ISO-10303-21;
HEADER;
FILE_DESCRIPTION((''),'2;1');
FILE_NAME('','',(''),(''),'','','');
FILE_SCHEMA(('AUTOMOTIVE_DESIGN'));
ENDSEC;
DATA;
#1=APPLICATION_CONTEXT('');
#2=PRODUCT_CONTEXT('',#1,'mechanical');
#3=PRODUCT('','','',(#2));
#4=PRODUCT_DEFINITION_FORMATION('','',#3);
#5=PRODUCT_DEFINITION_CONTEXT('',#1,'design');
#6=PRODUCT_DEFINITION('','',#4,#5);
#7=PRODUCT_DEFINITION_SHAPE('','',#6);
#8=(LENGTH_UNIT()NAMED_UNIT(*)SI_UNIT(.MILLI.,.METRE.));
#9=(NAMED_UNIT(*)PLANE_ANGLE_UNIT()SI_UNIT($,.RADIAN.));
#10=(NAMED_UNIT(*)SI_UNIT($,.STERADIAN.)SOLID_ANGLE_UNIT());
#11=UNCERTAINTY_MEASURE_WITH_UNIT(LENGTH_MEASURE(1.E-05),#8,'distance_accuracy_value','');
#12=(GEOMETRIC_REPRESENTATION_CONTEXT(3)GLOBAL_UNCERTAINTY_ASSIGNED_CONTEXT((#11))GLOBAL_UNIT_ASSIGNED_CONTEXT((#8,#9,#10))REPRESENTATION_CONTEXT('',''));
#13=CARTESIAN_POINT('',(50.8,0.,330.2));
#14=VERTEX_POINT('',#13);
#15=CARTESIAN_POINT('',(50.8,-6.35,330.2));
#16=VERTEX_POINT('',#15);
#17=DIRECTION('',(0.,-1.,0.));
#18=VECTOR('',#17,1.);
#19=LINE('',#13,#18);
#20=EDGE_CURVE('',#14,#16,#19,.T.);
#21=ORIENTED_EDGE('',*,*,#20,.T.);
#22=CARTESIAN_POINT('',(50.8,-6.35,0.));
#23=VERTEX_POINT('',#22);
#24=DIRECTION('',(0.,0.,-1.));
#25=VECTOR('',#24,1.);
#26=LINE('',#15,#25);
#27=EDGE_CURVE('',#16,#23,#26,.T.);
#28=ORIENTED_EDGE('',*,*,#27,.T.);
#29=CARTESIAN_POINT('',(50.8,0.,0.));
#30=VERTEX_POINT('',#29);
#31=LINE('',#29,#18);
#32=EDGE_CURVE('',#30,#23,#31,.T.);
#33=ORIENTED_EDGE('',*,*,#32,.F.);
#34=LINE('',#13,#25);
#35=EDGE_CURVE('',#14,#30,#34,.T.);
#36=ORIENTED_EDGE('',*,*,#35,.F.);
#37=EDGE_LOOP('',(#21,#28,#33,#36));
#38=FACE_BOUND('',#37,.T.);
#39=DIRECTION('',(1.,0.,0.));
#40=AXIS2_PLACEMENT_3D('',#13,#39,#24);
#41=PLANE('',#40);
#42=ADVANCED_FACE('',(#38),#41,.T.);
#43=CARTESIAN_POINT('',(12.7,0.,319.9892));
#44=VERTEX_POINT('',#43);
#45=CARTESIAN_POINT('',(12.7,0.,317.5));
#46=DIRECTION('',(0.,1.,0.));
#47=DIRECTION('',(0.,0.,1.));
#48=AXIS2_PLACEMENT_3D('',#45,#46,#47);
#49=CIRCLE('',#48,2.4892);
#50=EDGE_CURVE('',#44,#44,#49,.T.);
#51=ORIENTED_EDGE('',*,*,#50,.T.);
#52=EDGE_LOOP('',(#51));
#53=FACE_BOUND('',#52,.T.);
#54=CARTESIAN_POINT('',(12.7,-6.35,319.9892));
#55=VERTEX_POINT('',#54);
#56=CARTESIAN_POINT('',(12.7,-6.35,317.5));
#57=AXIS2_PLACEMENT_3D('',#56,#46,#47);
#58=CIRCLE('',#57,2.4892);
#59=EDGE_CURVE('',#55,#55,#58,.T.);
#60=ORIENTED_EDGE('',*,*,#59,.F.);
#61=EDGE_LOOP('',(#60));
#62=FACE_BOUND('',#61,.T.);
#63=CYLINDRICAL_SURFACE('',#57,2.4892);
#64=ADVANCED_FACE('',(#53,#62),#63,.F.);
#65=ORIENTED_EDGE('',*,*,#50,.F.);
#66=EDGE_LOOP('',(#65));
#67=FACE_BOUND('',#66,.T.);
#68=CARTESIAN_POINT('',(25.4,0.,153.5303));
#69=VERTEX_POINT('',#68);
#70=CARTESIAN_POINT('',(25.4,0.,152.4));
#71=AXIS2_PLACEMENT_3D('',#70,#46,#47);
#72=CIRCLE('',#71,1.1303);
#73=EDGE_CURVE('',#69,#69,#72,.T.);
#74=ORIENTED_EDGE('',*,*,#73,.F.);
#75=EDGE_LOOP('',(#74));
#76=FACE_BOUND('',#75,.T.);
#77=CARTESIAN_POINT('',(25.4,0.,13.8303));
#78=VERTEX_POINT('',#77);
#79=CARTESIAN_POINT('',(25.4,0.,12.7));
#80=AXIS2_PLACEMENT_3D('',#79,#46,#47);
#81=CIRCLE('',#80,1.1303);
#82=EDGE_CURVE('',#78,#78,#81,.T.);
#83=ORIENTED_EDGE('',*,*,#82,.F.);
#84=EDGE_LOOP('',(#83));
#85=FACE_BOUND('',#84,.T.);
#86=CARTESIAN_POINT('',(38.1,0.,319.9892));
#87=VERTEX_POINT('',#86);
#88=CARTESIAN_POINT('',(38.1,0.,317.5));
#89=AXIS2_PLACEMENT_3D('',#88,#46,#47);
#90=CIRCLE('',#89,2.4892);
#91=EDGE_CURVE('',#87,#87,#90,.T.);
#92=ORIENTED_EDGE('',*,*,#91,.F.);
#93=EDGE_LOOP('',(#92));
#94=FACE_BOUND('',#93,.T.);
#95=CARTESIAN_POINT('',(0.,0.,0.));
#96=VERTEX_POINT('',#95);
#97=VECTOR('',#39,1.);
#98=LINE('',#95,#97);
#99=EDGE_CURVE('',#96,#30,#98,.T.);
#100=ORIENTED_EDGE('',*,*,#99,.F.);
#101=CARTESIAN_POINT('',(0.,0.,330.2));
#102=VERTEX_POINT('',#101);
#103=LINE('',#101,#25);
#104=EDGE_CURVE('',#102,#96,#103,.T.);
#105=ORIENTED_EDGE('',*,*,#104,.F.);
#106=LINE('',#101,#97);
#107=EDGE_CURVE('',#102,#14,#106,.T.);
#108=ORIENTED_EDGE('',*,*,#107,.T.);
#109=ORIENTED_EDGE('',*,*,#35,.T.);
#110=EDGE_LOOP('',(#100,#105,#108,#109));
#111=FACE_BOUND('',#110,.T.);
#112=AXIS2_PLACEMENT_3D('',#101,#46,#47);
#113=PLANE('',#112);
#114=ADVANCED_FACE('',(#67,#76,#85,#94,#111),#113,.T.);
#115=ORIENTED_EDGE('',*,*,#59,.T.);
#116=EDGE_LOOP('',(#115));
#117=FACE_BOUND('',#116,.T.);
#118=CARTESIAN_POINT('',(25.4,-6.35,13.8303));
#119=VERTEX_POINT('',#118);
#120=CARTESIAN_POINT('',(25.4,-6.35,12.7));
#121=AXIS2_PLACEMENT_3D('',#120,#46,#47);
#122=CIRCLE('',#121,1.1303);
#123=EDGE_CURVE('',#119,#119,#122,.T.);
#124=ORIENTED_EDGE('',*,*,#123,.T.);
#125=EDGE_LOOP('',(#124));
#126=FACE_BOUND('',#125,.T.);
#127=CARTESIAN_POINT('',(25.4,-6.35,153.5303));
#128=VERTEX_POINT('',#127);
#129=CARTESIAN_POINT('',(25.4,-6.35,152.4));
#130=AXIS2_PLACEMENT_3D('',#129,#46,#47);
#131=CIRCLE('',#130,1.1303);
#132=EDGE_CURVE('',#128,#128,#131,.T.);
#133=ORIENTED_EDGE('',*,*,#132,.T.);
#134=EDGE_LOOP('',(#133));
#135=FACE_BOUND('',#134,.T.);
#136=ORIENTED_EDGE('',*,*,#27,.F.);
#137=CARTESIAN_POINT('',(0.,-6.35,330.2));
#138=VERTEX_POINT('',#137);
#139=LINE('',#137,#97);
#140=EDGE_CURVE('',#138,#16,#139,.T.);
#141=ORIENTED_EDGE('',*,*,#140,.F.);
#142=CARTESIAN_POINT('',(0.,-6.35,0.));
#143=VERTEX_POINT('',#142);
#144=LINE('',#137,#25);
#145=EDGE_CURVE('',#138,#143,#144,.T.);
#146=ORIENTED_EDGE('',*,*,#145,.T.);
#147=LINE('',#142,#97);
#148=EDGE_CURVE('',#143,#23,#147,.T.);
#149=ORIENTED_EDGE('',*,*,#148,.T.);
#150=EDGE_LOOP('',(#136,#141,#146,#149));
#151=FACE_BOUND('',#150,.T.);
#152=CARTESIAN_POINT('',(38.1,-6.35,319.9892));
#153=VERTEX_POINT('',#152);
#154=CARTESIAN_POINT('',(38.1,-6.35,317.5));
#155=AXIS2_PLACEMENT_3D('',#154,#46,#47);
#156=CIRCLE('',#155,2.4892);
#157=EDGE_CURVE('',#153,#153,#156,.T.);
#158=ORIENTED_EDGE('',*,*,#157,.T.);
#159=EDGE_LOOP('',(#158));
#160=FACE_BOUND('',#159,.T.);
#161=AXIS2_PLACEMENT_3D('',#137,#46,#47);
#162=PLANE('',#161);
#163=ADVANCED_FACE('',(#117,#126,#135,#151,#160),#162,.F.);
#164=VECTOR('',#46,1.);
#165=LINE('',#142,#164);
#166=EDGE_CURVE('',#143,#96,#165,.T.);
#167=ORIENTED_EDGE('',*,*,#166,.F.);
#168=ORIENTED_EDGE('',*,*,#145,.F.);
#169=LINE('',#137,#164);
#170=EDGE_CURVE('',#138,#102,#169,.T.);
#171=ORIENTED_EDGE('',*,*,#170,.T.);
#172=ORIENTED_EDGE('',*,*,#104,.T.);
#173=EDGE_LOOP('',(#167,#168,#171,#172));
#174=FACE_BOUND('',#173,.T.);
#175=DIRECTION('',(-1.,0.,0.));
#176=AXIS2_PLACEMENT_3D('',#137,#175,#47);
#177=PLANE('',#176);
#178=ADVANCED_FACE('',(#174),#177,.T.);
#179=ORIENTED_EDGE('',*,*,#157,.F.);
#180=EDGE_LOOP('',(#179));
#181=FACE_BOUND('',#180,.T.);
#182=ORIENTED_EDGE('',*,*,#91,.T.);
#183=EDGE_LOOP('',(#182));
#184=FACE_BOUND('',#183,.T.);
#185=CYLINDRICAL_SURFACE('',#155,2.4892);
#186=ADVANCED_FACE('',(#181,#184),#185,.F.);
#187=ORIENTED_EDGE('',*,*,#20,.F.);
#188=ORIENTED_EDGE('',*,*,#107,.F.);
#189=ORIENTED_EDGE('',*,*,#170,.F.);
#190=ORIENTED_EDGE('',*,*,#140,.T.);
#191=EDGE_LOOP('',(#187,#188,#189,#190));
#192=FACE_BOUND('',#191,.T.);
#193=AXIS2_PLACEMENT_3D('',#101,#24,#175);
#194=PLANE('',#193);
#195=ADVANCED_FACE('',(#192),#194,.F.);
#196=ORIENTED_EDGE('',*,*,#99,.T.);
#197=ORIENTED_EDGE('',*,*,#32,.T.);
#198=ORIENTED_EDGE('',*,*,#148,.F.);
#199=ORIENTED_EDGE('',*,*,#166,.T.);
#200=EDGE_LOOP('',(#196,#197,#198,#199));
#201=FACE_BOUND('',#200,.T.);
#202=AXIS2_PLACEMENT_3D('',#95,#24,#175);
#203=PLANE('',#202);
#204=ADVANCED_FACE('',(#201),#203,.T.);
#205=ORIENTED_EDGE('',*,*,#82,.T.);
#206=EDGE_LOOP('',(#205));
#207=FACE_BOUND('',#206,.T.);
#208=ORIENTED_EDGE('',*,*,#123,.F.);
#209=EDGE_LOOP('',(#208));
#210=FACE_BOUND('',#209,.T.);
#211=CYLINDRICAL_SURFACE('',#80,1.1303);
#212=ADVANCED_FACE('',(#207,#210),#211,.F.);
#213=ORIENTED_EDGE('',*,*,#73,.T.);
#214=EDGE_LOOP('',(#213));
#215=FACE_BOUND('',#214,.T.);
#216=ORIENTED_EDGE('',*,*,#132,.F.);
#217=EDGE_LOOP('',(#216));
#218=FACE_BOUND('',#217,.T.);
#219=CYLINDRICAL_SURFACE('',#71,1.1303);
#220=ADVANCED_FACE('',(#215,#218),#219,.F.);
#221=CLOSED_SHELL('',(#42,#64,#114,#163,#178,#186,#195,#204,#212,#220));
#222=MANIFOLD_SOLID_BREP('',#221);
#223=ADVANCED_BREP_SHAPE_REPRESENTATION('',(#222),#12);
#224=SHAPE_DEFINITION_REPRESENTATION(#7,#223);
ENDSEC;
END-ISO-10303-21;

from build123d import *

# Parameters (mm, degrees)
SKETCH1_W                 = 50.8
SKETCH1_H                 = 6.35
EXTRUDE_THIN1_DEPTH       = 330.2
SKETCH3_R                 = 2.4892
CUT_EXTRUDE1_DEPTH        = 7.35
F_4_40_TAPPED_HOLE1_D     = 2.2606
F_4_40_TAPPED_HOLE1_DEPTH = 7.62
F_4_40_TAPPED_HOLE1_TIP   = 0.679152758


with BuildPart() as part:
    # Sketch1 → Extrude-Thin1 (new body)
    with BuildSketch(Plane.XY):
        with Locations((25.4, -3.175)):
            Rectangle(SKETCH1_W, SKETCH1_H)
    extrude(amount=EXTRUDE_THIN1_DEPTH)

    # Sketch3 → Cut-Extrude1 (cut, through all)
    with BuildSketch(Plane(origin=(0, 0, 0), x_dir=(1, 0, 0), z_dir=(0, 1, 0))):
        with Locations((12.7, -317.5)):
            Circle(SKETCH3_R)
        with Locations((38.1, -317.5)):
            Circle(SKETCH3_R)
    extrude(amount=-CUT_EXTRUDE1_DEPTH, mode=Mode.SUBTRACT)

    # #4-40 Tapped Hole1
    with Locations(Plane(origin=(0, 0, 0), x_dir=(1, 0, 0), z_dir=(0, 1, 0))):
        with Locations((25.4, -152.4), (25.4, -12.7)):
            Hole(F_4_40_TAPPED_HOLE1_D / 2, depth=F_4_40_TAPPED_HOLE1_DEPTH)
            with Locations((0, 0, -(F_4_40_TAPPED_HOLE1_DEPTH + F_4_40_TAPPED_HOLE1_TIP / 2))):  # 118° drill point
                Cone(0, F_4_40_TAPPED_HOLE1_D / 2, F_4_40_TAPPED_HOLE1_TIP, mode=Mode.SUBTRACT)


solid = part.part
